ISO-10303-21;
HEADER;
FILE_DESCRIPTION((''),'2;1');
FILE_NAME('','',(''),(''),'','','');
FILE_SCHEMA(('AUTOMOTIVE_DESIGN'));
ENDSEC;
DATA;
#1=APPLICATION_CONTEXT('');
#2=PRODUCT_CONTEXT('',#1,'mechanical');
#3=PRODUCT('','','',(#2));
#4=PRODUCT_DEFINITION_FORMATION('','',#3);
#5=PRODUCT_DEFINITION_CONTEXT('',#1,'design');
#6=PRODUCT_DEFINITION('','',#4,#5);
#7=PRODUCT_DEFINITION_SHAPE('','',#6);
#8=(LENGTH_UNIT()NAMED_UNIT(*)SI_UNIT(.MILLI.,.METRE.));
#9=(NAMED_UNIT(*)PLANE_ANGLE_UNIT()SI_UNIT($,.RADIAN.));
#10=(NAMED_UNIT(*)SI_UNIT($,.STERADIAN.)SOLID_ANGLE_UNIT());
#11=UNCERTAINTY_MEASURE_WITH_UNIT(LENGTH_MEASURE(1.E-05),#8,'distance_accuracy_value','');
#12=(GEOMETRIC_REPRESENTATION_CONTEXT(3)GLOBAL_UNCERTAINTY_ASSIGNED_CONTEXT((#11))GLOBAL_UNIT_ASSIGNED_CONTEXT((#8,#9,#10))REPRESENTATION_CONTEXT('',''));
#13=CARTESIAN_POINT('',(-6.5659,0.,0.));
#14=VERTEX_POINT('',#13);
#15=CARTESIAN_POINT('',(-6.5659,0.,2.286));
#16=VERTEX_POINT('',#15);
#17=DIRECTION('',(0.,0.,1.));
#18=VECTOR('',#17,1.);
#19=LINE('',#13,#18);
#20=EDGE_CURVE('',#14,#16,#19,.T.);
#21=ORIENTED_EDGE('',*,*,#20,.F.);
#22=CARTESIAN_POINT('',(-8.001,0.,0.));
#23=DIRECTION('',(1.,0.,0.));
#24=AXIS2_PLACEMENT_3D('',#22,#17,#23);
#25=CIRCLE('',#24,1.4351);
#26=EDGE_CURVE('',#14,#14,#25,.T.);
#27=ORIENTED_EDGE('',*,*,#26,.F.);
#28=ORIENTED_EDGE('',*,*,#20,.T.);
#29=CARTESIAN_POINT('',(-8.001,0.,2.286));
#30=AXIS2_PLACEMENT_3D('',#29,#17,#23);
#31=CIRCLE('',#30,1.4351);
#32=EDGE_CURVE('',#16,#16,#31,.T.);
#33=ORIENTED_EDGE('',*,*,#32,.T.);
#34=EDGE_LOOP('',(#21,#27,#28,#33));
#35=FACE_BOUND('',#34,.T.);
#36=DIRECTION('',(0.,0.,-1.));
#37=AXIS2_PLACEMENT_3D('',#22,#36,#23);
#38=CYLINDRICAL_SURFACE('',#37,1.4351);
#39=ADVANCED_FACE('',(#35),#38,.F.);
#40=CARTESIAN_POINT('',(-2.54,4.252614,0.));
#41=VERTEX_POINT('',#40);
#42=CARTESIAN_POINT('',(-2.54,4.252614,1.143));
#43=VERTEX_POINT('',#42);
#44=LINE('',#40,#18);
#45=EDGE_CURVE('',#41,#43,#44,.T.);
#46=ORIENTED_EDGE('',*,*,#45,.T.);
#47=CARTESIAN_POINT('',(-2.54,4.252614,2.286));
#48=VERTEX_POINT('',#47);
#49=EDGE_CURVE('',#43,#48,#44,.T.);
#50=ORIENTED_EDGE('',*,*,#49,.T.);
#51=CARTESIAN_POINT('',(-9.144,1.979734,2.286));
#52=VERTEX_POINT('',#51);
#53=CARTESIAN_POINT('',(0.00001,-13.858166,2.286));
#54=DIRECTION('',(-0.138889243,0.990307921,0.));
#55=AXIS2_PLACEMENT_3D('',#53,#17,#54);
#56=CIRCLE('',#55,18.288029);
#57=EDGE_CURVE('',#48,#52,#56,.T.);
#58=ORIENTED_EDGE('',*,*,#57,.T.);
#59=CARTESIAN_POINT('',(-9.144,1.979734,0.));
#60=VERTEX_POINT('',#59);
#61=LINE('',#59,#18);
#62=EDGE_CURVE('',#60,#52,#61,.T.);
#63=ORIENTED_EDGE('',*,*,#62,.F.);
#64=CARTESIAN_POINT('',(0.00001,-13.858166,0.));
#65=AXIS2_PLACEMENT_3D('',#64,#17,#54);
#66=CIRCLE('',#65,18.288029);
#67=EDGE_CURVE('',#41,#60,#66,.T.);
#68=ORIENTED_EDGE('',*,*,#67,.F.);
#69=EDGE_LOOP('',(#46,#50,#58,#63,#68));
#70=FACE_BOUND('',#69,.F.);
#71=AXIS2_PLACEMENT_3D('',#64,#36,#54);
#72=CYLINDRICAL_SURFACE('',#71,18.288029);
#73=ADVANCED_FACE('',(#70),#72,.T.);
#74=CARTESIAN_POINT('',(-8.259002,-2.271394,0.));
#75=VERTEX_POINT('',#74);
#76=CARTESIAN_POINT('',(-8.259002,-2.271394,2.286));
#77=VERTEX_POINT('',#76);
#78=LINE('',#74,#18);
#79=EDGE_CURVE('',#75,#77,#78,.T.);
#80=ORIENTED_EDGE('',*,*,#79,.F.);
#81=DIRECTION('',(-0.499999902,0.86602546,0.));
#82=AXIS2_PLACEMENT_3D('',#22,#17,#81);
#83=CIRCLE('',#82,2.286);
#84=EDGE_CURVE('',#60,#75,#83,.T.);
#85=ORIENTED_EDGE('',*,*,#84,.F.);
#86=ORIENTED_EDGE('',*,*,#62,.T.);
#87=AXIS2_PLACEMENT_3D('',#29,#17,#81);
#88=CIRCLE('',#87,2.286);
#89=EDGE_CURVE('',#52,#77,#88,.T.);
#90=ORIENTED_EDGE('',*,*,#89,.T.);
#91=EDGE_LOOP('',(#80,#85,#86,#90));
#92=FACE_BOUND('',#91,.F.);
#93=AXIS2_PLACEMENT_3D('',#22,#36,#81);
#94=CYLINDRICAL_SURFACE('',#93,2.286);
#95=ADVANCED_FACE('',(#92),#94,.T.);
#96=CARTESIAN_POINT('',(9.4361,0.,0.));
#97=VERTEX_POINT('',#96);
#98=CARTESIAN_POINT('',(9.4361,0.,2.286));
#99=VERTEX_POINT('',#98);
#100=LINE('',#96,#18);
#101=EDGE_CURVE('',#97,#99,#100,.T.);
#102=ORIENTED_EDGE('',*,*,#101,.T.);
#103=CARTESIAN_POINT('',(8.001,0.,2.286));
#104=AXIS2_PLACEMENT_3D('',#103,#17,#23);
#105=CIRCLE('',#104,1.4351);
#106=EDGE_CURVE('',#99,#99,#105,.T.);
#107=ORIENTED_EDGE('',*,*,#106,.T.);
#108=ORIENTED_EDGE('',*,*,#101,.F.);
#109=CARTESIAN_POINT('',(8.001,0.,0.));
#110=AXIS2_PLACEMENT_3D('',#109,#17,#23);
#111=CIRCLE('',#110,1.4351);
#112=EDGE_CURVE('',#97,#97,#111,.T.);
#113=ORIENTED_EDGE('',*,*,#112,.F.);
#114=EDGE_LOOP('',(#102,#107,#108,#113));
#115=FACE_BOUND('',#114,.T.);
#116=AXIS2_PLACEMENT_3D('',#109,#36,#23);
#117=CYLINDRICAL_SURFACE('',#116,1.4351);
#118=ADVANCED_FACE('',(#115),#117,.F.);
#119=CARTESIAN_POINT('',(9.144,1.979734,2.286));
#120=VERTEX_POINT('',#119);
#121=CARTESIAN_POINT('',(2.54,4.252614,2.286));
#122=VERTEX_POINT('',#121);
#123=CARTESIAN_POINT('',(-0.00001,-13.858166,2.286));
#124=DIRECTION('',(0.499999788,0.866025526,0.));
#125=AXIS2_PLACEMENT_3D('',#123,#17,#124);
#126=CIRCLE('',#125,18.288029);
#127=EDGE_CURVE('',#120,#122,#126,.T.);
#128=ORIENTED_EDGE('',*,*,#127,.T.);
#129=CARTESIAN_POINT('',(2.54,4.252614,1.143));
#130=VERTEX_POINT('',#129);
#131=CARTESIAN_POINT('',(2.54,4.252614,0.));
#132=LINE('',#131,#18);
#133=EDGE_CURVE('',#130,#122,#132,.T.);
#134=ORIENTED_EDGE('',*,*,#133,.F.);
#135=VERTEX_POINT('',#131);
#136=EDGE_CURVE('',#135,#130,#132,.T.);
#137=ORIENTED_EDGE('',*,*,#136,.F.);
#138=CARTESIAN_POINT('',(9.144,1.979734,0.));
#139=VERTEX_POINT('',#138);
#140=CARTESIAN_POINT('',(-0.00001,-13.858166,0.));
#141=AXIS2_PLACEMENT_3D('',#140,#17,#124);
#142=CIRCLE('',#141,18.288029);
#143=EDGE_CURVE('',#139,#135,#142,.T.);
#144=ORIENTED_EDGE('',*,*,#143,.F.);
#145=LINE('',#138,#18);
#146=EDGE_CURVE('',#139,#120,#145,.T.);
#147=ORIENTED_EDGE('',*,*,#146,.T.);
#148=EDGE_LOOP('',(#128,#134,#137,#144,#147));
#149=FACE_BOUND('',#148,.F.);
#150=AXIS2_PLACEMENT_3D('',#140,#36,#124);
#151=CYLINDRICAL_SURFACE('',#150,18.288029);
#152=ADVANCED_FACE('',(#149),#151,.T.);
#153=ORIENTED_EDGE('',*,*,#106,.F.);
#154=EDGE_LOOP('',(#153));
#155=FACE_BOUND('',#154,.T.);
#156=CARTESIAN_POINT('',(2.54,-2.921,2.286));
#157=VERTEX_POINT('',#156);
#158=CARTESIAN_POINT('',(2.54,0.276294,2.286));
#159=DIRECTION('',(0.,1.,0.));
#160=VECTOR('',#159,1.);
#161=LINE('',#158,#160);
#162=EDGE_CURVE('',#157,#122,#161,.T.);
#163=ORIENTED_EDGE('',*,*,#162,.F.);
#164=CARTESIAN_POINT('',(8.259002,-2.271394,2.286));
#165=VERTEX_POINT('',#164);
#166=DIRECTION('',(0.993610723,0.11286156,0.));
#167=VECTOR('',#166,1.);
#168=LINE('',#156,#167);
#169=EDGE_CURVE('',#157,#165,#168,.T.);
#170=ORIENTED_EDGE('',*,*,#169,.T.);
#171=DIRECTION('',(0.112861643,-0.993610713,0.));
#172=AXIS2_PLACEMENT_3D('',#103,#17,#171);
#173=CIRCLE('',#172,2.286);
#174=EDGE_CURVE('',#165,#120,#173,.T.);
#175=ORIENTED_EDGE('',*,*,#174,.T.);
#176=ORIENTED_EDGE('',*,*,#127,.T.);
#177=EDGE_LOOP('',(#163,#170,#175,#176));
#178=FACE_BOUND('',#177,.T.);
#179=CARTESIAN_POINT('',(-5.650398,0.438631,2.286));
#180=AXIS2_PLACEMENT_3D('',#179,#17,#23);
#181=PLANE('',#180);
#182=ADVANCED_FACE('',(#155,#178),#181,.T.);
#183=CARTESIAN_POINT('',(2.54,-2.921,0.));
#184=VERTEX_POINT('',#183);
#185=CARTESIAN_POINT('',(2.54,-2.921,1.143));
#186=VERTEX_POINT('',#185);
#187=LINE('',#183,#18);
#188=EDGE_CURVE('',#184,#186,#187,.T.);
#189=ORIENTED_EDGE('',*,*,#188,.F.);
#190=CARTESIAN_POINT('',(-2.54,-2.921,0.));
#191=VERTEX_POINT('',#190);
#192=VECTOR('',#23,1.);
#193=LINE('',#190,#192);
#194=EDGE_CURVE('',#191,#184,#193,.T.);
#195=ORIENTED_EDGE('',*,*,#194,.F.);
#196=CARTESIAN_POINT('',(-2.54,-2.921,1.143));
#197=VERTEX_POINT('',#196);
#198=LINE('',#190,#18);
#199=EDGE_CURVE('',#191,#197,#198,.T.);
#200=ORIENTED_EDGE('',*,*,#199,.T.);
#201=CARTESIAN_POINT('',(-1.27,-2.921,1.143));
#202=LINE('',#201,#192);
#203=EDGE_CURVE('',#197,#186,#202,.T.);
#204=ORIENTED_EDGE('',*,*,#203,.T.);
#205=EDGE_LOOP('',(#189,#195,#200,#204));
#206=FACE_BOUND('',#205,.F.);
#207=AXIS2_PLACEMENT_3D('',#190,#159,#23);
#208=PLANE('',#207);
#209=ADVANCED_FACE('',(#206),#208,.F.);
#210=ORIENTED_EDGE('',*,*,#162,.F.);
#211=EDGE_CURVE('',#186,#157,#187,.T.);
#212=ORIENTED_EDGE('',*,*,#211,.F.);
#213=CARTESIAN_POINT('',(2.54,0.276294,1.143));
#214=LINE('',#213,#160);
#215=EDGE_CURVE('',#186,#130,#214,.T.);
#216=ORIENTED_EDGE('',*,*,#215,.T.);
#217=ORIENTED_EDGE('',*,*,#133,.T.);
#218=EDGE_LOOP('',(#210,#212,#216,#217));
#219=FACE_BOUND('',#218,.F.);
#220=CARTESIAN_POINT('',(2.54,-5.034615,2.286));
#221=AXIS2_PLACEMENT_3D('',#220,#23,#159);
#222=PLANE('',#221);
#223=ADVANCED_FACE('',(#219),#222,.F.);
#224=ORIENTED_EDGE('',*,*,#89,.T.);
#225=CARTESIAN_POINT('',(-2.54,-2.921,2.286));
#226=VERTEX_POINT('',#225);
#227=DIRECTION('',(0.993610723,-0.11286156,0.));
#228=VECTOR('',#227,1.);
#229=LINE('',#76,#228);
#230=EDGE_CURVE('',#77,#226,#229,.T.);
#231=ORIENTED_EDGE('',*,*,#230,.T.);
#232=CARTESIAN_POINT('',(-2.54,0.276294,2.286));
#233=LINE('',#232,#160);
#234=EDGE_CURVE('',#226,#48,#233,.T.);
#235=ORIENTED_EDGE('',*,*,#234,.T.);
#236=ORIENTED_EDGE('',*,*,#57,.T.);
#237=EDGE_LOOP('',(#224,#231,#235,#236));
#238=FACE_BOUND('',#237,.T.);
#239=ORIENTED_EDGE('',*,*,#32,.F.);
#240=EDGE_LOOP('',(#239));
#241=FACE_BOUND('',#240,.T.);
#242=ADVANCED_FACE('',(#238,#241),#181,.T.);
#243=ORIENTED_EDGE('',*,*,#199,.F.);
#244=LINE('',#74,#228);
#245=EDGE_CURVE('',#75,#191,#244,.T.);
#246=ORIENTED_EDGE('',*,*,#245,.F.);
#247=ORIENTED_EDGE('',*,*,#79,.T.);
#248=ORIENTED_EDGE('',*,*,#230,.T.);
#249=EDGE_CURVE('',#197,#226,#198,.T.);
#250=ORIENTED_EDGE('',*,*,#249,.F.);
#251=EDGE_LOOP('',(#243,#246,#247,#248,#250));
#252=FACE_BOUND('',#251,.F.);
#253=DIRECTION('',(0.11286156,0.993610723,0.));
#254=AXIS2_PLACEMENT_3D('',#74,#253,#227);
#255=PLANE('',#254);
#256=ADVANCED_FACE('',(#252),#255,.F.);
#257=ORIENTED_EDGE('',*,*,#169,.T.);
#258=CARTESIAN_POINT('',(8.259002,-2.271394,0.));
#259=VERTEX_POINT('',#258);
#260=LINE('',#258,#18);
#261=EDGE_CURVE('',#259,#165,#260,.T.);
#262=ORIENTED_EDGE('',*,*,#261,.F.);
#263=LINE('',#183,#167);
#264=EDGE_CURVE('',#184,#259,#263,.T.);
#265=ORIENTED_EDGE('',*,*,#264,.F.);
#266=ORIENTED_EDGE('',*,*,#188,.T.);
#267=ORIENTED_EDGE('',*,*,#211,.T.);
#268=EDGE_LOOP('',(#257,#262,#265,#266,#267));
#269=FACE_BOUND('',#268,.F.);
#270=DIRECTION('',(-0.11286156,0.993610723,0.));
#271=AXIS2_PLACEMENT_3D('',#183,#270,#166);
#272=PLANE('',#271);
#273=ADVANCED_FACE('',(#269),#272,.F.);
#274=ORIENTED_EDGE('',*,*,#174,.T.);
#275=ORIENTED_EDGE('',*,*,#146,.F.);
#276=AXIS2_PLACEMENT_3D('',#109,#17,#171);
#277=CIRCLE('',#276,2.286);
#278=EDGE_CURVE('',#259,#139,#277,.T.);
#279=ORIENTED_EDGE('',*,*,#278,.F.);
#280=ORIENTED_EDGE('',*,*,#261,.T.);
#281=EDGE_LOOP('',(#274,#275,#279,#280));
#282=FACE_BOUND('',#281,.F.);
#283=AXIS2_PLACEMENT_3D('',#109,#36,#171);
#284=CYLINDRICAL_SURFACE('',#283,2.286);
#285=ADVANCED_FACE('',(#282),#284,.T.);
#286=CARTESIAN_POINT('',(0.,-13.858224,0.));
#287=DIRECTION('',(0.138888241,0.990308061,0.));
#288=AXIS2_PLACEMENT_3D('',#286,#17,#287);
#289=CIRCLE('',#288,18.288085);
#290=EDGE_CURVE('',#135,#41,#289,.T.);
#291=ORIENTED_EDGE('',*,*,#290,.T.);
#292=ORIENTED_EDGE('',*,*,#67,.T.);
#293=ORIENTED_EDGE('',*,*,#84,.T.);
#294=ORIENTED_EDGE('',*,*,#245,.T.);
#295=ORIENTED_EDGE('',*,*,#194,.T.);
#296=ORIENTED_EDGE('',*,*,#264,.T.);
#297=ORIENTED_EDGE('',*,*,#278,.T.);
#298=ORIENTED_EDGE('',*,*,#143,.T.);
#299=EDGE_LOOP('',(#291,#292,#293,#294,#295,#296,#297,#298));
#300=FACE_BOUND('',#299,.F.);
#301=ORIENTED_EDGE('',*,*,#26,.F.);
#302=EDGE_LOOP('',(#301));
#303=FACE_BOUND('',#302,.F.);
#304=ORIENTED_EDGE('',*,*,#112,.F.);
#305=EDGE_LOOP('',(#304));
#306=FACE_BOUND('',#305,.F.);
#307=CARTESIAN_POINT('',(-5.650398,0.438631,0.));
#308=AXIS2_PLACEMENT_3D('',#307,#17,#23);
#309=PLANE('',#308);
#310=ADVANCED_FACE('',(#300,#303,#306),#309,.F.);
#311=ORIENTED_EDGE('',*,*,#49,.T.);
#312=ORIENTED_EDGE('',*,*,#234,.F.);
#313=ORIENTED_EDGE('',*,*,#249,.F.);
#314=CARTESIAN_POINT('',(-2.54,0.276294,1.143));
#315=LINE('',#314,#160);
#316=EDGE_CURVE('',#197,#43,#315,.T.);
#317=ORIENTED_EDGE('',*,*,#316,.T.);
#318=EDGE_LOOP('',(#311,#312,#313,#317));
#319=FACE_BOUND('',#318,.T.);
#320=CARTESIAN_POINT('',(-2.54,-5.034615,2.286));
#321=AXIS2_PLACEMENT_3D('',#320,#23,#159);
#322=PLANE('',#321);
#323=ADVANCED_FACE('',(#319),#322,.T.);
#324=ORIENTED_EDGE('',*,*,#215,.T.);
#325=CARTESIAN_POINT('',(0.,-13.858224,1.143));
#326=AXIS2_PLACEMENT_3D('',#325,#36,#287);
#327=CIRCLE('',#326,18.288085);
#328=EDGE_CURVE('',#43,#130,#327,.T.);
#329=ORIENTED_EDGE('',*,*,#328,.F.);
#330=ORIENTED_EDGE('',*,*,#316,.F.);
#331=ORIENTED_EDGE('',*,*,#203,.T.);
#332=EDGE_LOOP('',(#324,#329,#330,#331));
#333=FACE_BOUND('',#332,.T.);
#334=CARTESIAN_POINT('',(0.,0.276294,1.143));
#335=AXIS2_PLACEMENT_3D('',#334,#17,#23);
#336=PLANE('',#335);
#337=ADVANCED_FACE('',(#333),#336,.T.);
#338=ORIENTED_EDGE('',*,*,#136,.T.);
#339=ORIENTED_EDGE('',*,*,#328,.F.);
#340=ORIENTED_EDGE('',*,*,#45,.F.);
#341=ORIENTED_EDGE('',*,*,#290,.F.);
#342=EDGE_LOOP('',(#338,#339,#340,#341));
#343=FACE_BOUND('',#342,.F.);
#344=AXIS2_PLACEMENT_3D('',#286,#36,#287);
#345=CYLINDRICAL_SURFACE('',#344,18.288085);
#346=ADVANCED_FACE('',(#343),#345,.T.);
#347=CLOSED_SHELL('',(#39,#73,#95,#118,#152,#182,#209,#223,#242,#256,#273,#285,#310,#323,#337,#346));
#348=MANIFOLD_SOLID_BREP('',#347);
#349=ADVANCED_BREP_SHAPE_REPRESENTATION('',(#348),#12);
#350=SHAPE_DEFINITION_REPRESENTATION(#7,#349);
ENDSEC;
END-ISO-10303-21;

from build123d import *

# Parameters (mm, degrees)
F0_R     = 1.4351
F1_DEPTH = 2.286
F2_W     = 5.08
F2_H     = 10.621818
F3_DEPTH = 1.143


with BuildPart() as f1:
    # F0 (on Top) → F1 (new body)
    with BuildSketch(Plane.XY):
        with BuildLine():
            ThreePointArc((-2.54, 4.252614), (-5.951509, 3.434359), (-9.144, 1.979734))
            ThreePointArc((-9.144, 1.979734), (-10.239018, -0.46591), (-8.259002, -2.271394))
            Line((-8.259002, -2.271394), (-2.54, -2.921))
            Line((-2.54, -2.921), (-2.54, 4.252614))
        make_face()
        with Locations((-8.001, 0)):
            Circle(F0_R, mode=Mode.SUBTRACT)
        with BuildLine():
            ThreePointArc((2.54, 4.252614), (0, 4.429861), (-2.54, 4.252614))
            Line((-2.54, 4.252614), (-2.54, -2.921))
            Line((-2.54, -2.921), (2.54, -2.921))
            Line((2.54, -2.921), (2.54, 4.252614))
        make_face()
        with BuildLine():
            ThreePointArc((9.144, 1.979734), (5.951509, 3.434359), (2.54, 4.252614))
            Line((2.54, 4.252614), (2.54, -2.921))
            Line((2.54, -2.921), (8.259002, -2.271394))
            ThreePointArc((8.259002, -2.271394), (10.239018, -0.46591), (9.144, 1.979734))
        make_face()
        with Locations((8.001, 0)):
            Circle(F0_R, mode=Mode.SUBTRACT)
    extrude(amount=F1_DEPTH)

    # F2 (on face) → F3 (cut)
    with BuildSketch(Plane.XY.offset(2.286)):
        with Locations((0, 0.276294)):
            Rectangle(F2_W, F2_H)
    extrude(amount=-F3_DEPTH, mode=Mode.SUBTRACT)


solid = f1.part
